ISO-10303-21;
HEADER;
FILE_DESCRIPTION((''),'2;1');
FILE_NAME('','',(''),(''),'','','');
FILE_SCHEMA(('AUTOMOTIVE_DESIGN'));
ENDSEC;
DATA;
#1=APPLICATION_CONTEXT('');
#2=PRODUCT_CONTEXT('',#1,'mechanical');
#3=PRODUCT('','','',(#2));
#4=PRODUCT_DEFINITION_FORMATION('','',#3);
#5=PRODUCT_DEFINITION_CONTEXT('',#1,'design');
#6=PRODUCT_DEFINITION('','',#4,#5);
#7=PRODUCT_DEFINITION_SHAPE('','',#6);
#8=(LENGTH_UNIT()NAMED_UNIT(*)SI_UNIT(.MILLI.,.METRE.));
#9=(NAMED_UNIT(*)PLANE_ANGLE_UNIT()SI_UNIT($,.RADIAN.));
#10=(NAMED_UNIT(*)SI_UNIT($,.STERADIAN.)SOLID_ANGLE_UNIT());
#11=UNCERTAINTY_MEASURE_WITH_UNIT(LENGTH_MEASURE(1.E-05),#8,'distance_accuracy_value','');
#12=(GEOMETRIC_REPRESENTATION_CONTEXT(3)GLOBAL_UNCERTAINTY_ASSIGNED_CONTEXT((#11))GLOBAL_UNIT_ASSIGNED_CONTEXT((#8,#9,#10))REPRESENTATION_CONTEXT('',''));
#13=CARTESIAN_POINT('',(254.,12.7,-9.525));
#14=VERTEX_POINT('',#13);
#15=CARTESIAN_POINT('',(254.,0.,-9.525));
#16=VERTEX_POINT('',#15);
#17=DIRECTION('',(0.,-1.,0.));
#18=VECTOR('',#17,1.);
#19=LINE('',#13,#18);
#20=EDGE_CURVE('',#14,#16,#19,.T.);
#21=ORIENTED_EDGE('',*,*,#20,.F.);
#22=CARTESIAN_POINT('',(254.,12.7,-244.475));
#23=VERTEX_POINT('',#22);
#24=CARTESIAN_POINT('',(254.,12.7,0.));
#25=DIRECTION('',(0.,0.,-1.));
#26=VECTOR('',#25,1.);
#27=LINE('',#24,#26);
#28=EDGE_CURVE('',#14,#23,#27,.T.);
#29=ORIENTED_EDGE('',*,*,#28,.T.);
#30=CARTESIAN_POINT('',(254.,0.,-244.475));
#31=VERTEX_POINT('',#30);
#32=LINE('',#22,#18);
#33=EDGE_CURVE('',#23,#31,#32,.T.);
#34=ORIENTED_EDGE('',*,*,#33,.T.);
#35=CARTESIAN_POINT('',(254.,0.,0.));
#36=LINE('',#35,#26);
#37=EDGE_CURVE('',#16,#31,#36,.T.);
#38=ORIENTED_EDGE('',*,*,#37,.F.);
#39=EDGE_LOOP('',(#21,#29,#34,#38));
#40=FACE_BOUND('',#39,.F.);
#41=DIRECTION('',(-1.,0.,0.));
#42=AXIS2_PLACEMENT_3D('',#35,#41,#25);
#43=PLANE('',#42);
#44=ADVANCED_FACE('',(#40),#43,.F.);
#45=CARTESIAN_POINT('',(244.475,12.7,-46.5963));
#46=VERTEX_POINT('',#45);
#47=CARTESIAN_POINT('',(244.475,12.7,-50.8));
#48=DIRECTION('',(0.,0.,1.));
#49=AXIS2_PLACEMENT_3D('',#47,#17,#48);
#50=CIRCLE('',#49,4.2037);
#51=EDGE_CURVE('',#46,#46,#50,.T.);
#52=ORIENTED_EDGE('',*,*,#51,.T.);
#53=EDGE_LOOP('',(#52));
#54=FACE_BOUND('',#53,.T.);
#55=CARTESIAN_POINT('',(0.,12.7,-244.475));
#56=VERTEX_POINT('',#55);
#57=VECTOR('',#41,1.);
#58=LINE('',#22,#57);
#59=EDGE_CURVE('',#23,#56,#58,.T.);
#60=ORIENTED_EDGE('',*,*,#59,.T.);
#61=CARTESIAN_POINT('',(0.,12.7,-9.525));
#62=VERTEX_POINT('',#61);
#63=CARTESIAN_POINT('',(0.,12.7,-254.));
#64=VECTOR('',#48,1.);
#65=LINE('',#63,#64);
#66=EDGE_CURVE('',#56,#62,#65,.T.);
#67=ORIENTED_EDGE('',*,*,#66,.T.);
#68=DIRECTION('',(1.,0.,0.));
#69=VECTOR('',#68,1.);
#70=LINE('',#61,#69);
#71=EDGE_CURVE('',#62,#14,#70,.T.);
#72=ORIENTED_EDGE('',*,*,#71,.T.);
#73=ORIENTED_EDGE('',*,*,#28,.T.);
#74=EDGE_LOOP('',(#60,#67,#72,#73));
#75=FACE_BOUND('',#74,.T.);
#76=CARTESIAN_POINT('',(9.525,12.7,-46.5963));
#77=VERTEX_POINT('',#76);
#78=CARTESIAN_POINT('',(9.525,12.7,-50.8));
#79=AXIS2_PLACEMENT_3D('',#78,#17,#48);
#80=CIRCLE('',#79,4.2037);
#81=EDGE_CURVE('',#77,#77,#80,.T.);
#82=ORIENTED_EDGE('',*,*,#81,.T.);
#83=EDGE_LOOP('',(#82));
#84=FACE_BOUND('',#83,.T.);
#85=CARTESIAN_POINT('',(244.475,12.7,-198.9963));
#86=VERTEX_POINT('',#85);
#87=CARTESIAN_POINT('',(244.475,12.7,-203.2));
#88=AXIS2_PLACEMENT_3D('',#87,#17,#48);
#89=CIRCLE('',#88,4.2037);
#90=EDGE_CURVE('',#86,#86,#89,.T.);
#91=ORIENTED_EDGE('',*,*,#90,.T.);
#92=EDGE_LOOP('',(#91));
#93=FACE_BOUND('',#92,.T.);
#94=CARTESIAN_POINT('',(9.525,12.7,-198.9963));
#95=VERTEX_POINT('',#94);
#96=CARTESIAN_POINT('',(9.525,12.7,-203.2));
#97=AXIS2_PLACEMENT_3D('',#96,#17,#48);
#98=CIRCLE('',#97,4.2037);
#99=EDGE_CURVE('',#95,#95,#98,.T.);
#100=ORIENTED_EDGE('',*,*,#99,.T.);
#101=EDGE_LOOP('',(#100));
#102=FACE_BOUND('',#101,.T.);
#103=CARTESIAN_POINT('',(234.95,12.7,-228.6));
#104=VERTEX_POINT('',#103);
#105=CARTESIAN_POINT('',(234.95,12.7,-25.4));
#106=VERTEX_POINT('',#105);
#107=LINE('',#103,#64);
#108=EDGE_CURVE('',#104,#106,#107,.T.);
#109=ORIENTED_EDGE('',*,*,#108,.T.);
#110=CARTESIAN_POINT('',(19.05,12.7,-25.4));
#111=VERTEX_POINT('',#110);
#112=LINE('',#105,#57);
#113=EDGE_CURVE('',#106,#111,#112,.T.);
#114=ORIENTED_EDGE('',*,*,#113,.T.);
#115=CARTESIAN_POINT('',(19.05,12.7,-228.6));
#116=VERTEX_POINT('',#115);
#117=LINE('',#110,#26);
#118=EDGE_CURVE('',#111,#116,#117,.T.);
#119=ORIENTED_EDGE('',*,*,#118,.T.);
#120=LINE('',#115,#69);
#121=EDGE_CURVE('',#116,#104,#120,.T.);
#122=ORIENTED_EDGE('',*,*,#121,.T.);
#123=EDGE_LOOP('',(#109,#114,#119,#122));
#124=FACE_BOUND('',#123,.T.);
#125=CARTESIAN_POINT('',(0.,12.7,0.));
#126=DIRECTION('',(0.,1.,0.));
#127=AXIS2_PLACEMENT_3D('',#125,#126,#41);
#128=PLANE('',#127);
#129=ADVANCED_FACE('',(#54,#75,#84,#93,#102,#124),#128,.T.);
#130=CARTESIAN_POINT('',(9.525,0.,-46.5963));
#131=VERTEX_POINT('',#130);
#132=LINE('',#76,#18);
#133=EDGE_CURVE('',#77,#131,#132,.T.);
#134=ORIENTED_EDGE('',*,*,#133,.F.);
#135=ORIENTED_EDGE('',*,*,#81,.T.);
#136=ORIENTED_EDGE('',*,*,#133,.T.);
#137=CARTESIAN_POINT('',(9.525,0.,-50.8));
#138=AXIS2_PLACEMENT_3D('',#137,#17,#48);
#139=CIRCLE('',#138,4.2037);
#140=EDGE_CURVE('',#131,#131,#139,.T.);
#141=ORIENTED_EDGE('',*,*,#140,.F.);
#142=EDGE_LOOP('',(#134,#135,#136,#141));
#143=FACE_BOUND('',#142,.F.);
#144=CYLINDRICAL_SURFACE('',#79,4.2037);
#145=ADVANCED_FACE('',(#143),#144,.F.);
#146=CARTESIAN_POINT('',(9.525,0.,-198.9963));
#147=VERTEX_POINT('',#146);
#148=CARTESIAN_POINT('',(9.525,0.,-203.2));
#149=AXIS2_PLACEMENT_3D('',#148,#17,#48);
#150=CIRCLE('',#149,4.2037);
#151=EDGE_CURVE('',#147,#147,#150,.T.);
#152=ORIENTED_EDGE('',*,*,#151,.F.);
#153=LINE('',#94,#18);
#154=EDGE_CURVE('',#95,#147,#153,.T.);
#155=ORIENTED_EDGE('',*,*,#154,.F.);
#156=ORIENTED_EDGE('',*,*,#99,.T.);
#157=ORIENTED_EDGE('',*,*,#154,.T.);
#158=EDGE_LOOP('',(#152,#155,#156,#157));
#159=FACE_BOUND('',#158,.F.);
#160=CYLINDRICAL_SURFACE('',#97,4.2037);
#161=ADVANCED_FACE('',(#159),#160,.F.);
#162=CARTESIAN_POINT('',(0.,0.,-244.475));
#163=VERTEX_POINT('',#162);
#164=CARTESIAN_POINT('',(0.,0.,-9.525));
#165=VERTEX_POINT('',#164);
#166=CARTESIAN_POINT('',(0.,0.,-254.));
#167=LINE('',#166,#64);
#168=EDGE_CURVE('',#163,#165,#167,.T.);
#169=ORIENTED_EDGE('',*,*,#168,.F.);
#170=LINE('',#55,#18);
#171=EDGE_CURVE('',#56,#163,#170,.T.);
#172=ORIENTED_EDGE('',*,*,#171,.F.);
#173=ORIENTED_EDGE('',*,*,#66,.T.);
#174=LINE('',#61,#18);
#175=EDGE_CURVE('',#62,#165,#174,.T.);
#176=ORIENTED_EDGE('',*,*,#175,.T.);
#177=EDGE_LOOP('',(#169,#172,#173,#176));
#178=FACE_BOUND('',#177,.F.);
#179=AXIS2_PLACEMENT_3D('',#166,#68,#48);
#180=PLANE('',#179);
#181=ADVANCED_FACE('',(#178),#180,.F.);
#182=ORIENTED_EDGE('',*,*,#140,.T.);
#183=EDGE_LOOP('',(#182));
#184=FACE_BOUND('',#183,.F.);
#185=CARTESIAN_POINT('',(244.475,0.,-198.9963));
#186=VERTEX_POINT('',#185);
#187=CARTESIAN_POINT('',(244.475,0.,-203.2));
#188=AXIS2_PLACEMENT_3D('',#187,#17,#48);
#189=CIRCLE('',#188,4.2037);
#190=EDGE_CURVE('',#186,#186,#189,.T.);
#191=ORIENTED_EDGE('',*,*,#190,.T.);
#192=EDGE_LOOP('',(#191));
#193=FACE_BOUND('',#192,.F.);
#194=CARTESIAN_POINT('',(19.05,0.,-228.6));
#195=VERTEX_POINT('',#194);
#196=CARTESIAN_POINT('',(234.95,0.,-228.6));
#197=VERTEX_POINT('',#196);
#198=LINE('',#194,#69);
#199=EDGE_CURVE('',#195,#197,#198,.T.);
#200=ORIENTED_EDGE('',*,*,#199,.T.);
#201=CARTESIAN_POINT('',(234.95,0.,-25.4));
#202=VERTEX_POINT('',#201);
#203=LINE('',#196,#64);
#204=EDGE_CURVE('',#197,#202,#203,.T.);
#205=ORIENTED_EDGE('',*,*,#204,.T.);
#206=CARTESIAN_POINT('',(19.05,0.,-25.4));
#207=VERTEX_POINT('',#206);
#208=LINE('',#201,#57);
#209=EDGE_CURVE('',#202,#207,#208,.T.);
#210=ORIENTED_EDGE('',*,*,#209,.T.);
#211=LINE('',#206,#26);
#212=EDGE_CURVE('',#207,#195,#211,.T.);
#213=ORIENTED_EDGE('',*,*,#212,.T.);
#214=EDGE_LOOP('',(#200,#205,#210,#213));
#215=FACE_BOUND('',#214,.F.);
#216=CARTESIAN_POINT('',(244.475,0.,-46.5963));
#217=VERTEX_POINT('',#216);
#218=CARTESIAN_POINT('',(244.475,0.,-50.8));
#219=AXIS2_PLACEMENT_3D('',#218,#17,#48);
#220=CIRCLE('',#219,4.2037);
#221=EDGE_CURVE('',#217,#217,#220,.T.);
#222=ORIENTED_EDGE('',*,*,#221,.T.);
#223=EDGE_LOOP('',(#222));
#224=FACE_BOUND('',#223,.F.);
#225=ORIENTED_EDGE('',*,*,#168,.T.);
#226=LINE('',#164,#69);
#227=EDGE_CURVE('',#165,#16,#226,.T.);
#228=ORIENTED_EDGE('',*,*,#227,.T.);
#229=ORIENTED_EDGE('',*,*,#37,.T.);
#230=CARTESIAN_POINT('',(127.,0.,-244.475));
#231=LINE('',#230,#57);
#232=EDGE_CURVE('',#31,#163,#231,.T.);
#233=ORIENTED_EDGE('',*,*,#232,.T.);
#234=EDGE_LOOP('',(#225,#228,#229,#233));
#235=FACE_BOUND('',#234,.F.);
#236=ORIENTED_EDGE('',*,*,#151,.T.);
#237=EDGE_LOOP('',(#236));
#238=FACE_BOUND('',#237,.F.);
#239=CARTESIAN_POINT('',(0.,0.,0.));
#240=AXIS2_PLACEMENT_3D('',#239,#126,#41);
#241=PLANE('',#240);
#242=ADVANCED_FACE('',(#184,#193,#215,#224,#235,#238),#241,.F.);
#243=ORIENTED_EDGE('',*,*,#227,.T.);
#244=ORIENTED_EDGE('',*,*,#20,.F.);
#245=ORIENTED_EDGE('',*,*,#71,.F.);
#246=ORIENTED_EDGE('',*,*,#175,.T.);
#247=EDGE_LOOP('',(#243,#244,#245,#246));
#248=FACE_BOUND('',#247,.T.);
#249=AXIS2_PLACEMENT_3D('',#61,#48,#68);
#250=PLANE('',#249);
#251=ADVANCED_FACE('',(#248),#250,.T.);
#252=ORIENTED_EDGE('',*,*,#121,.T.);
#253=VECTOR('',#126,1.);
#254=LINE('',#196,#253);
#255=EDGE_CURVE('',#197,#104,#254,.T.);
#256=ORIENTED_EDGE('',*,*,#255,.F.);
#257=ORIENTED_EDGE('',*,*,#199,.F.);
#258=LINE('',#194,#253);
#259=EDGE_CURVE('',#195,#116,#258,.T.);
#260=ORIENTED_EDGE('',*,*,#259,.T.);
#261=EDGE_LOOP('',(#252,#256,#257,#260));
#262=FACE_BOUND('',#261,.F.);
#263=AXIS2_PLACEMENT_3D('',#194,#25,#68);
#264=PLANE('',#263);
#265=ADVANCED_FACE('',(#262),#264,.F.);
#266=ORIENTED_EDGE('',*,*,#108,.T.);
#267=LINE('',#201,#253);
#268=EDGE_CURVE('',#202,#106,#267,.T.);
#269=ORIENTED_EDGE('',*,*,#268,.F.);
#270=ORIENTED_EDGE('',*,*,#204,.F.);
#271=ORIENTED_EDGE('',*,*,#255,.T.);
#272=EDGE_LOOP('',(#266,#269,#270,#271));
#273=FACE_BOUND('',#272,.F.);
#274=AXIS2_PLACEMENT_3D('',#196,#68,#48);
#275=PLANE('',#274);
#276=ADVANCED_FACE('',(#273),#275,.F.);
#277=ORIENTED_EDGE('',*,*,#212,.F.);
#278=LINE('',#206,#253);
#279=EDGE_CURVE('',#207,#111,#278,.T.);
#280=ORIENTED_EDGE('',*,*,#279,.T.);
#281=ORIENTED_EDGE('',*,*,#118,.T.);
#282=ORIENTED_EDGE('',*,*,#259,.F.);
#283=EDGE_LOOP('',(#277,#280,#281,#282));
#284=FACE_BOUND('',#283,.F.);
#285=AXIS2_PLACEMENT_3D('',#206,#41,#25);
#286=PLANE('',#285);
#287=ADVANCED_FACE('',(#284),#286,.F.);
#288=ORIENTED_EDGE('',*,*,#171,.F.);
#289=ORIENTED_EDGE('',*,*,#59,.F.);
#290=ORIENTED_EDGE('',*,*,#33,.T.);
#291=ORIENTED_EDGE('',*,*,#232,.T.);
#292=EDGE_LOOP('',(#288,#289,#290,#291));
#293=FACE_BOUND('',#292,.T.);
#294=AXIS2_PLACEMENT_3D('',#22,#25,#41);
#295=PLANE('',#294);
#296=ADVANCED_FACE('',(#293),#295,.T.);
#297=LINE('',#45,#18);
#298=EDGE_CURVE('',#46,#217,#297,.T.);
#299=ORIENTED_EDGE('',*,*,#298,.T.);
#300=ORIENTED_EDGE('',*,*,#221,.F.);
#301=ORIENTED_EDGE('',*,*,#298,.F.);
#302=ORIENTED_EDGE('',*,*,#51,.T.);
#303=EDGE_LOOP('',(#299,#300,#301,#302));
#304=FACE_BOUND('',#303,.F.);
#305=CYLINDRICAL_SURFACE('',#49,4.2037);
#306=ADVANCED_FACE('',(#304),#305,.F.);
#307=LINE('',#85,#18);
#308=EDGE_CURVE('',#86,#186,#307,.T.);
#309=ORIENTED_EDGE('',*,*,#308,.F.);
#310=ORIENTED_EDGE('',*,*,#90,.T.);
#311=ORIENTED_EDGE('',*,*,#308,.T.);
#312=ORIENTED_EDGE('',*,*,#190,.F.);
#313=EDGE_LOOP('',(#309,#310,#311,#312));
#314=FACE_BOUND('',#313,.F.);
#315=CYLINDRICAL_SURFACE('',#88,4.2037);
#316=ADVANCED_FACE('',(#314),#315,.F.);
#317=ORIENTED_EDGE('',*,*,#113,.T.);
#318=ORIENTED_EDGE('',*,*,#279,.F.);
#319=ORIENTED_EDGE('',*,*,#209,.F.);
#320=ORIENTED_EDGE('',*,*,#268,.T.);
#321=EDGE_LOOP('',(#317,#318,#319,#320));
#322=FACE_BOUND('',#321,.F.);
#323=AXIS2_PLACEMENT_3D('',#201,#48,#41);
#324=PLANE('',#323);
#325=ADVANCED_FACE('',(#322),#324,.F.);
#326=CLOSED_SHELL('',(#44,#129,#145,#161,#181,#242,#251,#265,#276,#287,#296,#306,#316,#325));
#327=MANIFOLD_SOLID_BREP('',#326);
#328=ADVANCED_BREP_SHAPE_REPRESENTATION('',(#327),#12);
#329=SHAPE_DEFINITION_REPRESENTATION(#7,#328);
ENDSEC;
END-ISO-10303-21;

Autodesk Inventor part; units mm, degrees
ref_plane "YZ Plane" through (0, 0, 0) normal (1, 0, 0) x (0, 1, 0)
ref_plane "XZ Plane" through (0, 0, 0) normal (0, 1, 0) x (-1, 0, 0)
ref_plane "XY Plane" through (0, 0, 0) normal (0, 0, 1) x (1, 0, 0)
sketch "Sketch1" plane through (0, 0, 0) normal (0, 1, 0) x (-1, 0, 0)
  line L0 (0, 0) -> (-254, 0)
  line L1 (-254, 0) -> (-254, -254)
  line L2 (-254, -254) -> (0, -254)
  line L3 (0, -254) -> (0, 0)
  line L4 (-19.05, -228.6) -> (-234.95, -228.6)
  line L5 (-234.95, -228.6) -> (-234.95, -25.4)
  line L6 (-234.95, -25.4) -> (-19.05, -25.4)
  line L7 (-19.05, -25.4) -> (-19.05, -228.6)
  point P0 (-127, -228.6)
  point P1 (-127, -254)
  point P2 (-234.95, -127)
  point P3 (-254, -127)
  dimension "d0" = 254
  dimension "d1" = 254
  dimension "d2" = 25.4
  dimension "d3" = 19.05
extrude "Extrusion1" add sketch "Sketch1" along normal blind 12.7
sketch "Sketch2" plane through (0, 12.7, 0) normal (0, 1, 0) x (1, 0, 0)
  line L0 (0, 254) -> (0, 0) projected
  line L1 (254, 0) -> (254, 254) projected
  line L2 (19.05, 228.6) -> (234.95, 228.6) projected
  line L3 (234.95, 25.4) -> (19.05, 25.4) projected
  point P0 (9.525, 50.8)
  point P1 (9.525, 203.2)
  point P2 (244.475, 203.2)
  point P3 (244.475, 50.8)
  dimension "d6" = 9.525
  dimension "d7" = 9.525
  dimension "d8" = 25.4
  dimension "d9" = 25.4
hole "Hole1" at (9.525, 12.7, -50.8) at (9.525, 12.7, -203.2) at (244.475, 12.7, -203.2) at (244.475, 12.7, -50.8) direction (0, -1, 0) diameter 8.4074 end through all clearance for "Countersunk Flat Head Screw ISO 2009/7046" size "M8" standard "ISO"
sketch "Sketch3" plane through (0, 12.7, 0) normal (0, 1, 0) x (1, 0, 0)
  line L0 (254, 244.475) -> (0, 244.475) projected
  line L1 (254, 244.475) -> (254, 254) projected
  line L2 (0, 254) -> (254, 254) projected
  line L3 (0, 244.475) -> (0, 254) projected
  line L4 (0, 9.525) -> (254, 9.525) projected
  line L5 (0, 9.525) -> (0, 0) projected
  line L6 (254, 0) -> (0, 0) projected
  line L7 (254, 9.525) -> (254, 0) projected
extrude "Extrusion2" cut sketch "Sketch3" against normal through all
equation "\"d7\" = d6"
equation "\"d9\" = d8"
properties part number "Smooth Rod Brace Bottom"
